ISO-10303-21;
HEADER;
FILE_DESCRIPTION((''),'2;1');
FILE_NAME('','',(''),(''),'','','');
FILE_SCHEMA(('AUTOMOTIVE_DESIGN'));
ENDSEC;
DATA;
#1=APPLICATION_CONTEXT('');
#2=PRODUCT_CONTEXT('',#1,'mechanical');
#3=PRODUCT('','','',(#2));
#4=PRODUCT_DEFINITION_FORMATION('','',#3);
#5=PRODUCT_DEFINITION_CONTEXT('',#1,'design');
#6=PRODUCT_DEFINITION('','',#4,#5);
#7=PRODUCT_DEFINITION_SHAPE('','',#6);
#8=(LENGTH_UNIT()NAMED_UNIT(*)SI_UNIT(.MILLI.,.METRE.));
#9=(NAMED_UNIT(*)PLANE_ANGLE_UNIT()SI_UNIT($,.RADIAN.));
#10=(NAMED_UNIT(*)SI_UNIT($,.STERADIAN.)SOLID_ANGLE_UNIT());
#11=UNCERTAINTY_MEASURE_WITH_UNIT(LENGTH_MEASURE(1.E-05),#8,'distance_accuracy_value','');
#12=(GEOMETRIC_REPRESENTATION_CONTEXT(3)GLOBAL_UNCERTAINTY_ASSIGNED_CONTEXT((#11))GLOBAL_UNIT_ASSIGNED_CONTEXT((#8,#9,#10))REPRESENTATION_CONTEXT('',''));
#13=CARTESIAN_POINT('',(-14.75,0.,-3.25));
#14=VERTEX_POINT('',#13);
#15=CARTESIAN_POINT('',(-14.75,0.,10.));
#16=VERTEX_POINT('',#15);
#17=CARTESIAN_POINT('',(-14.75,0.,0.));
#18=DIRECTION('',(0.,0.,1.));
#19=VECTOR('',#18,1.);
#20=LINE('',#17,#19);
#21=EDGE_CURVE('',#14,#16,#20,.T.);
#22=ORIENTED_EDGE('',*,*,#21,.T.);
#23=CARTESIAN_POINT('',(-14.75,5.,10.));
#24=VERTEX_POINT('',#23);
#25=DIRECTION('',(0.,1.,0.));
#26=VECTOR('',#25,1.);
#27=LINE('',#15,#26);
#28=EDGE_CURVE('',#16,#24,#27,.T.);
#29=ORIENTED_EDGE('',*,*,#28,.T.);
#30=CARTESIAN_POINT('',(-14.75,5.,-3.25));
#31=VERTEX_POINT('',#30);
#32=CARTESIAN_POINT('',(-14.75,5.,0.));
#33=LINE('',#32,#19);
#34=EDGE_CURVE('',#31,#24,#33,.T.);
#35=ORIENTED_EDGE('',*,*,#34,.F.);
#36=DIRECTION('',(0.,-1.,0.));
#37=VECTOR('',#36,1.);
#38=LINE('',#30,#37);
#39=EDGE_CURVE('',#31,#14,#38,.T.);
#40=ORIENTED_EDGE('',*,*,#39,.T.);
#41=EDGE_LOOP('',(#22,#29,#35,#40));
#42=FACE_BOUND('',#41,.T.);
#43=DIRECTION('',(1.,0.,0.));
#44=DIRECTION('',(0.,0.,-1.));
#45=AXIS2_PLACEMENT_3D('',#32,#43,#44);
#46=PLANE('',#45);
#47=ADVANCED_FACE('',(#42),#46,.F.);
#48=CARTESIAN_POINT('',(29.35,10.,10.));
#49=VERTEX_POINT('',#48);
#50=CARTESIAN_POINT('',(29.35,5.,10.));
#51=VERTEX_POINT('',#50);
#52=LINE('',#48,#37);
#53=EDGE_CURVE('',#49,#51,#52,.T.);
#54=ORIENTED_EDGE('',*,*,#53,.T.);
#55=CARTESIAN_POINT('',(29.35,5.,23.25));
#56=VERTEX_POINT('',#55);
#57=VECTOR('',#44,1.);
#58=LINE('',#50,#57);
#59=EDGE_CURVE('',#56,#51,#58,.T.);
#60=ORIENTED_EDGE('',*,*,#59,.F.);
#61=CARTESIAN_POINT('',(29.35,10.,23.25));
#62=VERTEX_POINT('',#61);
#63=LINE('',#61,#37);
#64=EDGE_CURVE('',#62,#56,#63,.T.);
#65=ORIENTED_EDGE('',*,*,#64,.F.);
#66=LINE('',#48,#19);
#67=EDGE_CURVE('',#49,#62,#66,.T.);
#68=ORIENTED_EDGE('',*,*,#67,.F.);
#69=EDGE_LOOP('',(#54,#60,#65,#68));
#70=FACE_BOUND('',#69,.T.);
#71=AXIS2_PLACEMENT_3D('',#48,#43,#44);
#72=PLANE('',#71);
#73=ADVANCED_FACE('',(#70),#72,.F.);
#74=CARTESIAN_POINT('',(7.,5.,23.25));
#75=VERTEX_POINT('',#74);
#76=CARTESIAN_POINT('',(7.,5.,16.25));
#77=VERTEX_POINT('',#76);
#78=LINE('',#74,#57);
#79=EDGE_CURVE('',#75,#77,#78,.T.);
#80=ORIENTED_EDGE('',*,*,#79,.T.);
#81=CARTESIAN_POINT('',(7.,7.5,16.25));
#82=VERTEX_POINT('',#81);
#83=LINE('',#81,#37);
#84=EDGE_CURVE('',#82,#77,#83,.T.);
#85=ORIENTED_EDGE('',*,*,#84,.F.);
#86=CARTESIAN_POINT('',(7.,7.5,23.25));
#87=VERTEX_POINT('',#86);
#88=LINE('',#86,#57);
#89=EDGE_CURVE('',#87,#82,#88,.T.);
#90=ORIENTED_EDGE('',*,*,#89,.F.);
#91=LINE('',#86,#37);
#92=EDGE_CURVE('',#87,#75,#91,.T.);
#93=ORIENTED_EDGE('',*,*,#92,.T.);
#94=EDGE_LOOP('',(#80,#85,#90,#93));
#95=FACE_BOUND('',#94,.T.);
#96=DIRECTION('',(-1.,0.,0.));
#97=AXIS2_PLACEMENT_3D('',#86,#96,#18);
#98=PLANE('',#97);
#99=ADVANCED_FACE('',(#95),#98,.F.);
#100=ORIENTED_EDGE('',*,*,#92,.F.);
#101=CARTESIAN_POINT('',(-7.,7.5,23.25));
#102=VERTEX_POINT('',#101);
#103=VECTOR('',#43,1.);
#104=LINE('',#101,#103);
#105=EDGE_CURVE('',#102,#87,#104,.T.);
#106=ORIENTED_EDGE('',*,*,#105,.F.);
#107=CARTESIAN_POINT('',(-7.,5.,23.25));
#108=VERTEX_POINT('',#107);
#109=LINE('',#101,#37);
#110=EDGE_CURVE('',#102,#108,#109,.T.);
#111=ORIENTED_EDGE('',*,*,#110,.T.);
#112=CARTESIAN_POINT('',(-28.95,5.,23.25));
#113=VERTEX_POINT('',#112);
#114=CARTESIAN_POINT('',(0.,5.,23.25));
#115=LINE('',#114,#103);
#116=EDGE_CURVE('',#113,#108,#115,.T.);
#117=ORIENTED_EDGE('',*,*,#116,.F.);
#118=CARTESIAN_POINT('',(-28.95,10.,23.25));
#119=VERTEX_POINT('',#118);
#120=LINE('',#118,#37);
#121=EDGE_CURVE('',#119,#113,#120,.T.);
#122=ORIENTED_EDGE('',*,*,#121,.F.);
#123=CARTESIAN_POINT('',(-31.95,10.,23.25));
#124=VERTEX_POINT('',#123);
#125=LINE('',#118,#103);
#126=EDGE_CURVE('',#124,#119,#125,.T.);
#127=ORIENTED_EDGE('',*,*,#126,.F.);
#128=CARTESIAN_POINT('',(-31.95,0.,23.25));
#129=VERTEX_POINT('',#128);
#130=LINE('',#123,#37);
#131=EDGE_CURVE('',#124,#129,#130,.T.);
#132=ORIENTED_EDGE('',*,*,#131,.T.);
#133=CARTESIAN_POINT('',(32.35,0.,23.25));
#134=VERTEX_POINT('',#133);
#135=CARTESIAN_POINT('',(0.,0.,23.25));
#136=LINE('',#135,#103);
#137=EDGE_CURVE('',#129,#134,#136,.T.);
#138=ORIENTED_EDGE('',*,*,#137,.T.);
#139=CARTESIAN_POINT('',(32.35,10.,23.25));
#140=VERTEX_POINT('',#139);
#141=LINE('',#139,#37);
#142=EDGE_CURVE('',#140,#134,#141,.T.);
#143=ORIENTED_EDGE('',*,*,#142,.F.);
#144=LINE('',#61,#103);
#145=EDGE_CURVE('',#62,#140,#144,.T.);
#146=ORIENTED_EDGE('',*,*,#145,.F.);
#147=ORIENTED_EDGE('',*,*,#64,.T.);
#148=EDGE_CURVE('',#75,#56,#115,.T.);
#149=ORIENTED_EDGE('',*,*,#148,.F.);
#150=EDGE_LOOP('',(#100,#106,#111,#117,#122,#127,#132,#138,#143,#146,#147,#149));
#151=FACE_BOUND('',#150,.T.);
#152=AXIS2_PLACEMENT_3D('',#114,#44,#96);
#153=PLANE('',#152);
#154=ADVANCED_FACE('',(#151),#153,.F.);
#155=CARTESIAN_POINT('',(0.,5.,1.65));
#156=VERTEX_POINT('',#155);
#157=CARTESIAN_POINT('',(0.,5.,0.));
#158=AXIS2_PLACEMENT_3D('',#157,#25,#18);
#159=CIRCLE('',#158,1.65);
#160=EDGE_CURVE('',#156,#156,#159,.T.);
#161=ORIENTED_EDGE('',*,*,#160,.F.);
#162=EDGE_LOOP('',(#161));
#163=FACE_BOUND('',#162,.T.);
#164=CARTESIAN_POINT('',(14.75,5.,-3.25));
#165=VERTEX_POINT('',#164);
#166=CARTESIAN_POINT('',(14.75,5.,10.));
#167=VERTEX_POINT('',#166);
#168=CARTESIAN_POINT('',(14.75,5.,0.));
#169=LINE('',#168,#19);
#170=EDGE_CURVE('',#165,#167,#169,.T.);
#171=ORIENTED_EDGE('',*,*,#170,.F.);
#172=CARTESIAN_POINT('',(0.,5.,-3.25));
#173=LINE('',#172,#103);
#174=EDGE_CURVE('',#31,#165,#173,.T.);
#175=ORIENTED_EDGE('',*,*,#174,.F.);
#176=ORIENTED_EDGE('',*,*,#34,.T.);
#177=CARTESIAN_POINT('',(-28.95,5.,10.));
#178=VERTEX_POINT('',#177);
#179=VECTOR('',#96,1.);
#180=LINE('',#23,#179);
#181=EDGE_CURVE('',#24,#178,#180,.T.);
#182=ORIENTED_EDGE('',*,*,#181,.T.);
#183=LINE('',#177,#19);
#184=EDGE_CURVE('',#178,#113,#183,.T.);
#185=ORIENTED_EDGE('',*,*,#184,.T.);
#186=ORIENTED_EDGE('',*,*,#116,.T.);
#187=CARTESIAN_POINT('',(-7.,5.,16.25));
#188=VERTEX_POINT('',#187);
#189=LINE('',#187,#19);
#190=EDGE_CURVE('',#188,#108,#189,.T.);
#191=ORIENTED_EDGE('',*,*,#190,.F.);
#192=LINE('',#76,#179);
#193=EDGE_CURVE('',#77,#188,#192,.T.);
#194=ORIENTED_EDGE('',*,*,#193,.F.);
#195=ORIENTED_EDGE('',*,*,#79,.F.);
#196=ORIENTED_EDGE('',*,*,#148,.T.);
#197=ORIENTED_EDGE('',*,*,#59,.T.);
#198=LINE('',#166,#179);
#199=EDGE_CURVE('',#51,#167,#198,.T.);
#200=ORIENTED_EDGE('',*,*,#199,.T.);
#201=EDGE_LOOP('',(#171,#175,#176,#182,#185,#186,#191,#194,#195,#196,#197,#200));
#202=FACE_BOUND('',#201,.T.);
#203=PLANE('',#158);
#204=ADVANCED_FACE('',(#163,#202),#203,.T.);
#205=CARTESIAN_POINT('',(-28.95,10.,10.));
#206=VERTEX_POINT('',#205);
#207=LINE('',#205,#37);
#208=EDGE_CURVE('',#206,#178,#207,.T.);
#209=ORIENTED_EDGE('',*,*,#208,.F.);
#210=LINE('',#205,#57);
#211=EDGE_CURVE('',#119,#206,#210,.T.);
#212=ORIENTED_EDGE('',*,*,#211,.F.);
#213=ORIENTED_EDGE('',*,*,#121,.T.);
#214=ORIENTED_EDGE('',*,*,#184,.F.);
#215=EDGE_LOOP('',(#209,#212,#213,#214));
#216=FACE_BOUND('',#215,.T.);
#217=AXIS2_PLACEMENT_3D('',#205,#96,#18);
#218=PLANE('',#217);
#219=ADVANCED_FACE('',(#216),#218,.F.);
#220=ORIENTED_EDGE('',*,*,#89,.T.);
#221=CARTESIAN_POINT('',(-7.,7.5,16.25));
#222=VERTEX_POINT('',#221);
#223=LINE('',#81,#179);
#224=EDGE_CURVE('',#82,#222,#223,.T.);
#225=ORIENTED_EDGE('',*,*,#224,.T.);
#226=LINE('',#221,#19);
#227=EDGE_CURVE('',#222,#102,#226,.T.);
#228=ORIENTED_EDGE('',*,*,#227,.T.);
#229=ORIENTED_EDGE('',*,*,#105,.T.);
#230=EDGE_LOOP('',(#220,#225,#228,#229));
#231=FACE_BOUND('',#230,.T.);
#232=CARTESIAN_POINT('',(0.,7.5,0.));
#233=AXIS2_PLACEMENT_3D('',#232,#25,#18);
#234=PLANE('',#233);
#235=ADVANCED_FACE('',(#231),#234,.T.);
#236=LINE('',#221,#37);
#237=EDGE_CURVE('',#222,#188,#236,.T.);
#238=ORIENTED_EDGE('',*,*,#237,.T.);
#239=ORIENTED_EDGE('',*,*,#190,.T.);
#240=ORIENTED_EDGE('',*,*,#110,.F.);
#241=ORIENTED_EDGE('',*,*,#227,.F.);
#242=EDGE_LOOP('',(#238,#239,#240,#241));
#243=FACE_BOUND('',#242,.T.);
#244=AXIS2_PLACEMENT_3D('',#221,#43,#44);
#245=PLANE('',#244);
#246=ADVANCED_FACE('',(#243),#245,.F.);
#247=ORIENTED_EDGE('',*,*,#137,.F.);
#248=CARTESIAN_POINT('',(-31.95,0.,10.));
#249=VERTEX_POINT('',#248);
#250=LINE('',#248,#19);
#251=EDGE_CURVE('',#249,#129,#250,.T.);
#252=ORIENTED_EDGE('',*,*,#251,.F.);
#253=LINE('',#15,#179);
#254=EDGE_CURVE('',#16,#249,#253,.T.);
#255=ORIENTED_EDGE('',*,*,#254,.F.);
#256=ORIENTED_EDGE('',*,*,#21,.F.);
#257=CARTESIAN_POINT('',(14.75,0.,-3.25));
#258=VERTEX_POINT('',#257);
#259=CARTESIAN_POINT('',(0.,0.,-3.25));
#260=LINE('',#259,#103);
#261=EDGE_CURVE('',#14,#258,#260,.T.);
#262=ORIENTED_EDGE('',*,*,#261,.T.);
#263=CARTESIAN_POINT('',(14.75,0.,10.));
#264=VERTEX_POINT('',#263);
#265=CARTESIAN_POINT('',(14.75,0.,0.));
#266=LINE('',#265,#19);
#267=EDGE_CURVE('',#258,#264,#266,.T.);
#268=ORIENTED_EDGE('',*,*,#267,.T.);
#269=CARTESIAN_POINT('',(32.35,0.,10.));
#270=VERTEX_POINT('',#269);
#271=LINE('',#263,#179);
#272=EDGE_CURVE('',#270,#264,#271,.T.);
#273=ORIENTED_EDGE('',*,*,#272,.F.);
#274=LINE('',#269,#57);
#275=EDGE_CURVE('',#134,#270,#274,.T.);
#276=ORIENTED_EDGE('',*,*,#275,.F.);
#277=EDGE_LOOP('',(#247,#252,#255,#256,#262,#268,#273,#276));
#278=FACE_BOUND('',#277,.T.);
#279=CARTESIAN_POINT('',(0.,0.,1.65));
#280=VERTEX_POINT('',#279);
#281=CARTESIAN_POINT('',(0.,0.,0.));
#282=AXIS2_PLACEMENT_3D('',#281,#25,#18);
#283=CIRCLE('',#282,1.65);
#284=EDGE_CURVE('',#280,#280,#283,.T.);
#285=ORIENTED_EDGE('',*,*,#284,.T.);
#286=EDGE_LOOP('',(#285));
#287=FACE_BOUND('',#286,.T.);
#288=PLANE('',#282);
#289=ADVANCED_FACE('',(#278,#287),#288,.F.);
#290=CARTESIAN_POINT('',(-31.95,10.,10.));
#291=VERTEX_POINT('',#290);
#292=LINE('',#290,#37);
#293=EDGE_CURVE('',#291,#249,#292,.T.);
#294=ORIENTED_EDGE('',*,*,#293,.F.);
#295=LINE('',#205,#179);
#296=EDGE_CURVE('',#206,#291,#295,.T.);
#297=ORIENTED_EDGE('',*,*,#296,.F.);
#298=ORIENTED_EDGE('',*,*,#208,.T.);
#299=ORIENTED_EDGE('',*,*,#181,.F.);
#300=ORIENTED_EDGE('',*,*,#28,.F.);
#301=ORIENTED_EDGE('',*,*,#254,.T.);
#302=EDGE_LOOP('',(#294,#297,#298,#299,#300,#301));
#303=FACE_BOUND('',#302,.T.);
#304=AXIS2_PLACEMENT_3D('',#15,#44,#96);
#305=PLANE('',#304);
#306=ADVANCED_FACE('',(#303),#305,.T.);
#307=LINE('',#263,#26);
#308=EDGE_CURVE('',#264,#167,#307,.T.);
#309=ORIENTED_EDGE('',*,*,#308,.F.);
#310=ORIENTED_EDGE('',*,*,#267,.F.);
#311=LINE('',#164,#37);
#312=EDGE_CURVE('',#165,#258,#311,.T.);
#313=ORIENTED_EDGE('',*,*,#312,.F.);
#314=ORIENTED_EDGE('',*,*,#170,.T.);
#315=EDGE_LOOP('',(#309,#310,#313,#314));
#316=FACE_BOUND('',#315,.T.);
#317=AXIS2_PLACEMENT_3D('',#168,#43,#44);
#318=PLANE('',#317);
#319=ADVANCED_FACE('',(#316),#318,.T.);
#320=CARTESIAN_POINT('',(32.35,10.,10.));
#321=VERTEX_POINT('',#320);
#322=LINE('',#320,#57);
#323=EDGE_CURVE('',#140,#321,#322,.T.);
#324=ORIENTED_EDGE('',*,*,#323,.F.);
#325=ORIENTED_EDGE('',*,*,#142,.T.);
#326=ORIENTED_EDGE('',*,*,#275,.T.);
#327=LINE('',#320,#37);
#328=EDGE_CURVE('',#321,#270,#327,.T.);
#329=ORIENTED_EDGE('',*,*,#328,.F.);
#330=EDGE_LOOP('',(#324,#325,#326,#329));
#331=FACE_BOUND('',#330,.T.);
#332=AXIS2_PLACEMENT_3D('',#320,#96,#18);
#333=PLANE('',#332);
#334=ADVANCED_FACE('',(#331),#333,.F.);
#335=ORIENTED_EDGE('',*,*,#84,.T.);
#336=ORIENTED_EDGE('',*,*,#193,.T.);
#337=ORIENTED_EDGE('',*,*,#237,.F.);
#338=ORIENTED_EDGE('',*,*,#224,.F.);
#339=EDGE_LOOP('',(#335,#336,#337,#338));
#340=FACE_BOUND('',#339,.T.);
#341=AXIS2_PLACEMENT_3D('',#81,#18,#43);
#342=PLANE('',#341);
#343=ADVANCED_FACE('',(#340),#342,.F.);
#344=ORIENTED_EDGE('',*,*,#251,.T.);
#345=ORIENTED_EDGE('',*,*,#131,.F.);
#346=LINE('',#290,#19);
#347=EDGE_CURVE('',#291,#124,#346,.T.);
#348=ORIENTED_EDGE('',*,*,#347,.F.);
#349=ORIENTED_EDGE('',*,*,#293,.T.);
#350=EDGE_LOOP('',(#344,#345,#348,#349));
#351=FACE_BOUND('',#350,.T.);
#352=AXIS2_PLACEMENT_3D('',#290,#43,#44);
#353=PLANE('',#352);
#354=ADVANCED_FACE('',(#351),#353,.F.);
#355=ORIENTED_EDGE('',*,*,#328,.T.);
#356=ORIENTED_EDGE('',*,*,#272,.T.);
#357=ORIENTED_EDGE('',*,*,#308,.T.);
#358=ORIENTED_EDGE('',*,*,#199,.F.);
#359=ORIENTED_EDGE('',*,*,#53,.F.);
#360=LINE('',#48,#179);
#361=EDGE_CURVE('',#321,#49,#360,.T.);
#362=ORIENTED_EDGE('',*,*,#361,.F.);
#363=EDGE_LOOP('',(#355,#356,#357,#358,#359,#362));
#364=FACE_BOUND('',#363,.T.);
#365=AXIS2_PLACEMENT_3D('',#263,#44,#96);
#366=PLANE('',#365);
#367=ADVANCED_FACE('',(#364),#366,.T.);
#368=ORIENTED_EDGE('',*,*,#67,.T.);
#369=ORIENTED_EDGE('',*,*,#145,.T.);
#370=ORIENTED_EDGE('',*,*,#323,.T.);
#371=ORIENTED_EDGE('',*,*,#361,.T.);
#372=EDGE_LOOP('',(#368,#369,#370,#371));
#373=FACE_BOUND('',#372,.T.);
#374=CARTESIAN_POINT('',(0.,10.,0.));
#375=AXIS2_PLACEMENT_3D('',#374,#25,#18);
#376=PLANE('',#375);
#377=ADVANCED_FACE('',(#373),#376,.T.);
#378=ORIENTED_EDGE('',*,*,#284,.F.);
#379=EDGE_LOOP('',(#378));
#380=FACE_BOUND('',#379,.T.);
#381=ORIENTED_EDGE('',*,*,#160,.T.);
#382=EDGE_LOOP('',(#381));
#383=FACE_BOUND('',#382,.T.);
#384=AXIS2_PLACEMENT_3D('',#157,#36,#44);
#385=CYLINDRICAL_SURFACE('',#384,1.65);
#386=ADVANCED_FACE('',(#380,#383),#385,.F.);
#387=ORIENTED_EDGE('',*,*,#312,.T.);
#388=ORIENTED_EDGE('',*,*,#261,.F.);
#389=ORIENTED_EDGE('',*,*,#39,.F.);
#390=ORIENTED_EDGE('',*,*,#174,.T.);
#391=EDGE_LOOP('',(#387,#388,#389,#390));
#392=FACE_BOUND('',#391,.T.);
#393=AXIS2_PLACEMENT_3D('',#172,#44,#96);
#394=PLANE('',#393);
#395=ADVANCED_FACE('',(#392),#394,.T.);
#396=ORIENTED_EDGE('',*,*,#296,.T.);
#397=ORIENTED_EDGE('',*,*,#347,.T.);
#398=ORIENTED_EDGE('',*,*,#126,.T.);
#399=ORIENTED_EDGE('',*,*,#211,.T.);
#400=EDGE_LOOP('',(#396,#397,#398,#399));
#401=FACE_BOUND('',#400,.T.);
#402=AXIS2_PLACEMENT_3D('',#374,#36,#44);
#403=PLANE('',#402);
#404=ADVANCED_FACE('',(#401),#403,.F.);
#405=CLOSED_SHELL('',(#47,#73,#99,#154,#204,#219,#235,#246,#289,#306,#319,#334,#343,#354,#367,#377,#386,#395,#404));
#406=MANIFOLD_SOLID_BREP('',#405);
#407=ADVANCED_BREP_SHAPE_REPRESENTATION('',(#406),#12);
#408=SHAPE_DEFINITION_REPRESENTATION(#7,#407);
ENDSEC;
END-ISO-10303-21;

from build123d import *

# Parameters (mm, degrees)
SKETCH1_W           = 29.5
SKETCH1_H           = 6.5
SKETCH1_R           = 1.65
SKETCH1_H_2         = 20
BOSS_EXTRUDE1_DEPTH = 5
SKETCH3_W           = 14.6
SKETCH3_H           = 13.25
SKETCH3_W_2         = 14.2
BOSS_EXTRUDE2_DEPTH = 5
SKETCH5_W           = 3
SKETCH5_H           = 13.25
BOSS_EXTRUDE4_DEPTH = 5
BOSS_EXTRUDE5_DEPTH = 2.5


with BuildPart() as part:
    # Sketch1 → Boss-Extrude1 (new body)
    # profile 1 of 2: a face of its own
    with BuildSketch(Plane(origin=(0, 0, 0), x_dir=(1, 0, 0), z_dir=(0, 1, 0))):
        Rectangle(SKETCH1_W, SKETCH1_H)
        with Locations(Location((0, 0, 0), (0, 0, 270))):
            Circle(SKETCH1_R, mode=Mode.SUBTRACT)
    # profile 2 of 2: a face of its own
    with BuildSketch(Plane(origin=(0, 0, 0), x_dir=(1, 0, 0), z_dir=(0, 1, 0))):
        with Locations((0, -13.25)):
            Rectangle(SKETCH1_W, SKETCH1_H_2)
    extrude(amount=BOSS_EXTRUDE1_DEPTH)

    # Sketch3 → Boss-Extrude2 (add)
    with BuildSketch(Plane(origin=(0, 5, 0), x_dir=(1, 0, 0), z_dir=(0, 1, 0))):
        with Locations((22.05, -16.625)):
            Rectangle(SKETCH3_W, SKETCH3_H)
        with Locations((-21.85, -16.625)):
            Rectangle(SKETCH3_W_2, SKETCH3_H)
    extrude(amount=-BOSS_EXTRUDE2_DEPTH)

    # Sketch5 → Boss-Extrude4 (add, symmetric)
    with BuildSketch(Plane(origin=(0, 5, 0), x_dir=(1, 0, 0), z_dir=(0, 1, 0))):
        with Locations((-30.45, -16.625)):
            Rectangle(SKETCH5_W, SKETCH5_H)
        with Locations((30.85, -16.625)):
            Rectangle(SKETCH5_W, SKETCH5_H)
    extrude(amount=BOSS_EXTRUDE4_DEPTH, both=True)

    # Sketch6 → Boss-Extrude5 (add)
    with BuildSketch(Plane(origin=(0, 5, 0), x_dir=(1, 0, 0), z_dir=(0, 1, 0))):
        Polygon((0, -23.25), (7, -23.25), (7, -16.25), (-7, -16.25), (-7, -23.25), align=None)
    extrude(amount=BOSS_EXTRUDE5_DEPTH)


solid = part.part
